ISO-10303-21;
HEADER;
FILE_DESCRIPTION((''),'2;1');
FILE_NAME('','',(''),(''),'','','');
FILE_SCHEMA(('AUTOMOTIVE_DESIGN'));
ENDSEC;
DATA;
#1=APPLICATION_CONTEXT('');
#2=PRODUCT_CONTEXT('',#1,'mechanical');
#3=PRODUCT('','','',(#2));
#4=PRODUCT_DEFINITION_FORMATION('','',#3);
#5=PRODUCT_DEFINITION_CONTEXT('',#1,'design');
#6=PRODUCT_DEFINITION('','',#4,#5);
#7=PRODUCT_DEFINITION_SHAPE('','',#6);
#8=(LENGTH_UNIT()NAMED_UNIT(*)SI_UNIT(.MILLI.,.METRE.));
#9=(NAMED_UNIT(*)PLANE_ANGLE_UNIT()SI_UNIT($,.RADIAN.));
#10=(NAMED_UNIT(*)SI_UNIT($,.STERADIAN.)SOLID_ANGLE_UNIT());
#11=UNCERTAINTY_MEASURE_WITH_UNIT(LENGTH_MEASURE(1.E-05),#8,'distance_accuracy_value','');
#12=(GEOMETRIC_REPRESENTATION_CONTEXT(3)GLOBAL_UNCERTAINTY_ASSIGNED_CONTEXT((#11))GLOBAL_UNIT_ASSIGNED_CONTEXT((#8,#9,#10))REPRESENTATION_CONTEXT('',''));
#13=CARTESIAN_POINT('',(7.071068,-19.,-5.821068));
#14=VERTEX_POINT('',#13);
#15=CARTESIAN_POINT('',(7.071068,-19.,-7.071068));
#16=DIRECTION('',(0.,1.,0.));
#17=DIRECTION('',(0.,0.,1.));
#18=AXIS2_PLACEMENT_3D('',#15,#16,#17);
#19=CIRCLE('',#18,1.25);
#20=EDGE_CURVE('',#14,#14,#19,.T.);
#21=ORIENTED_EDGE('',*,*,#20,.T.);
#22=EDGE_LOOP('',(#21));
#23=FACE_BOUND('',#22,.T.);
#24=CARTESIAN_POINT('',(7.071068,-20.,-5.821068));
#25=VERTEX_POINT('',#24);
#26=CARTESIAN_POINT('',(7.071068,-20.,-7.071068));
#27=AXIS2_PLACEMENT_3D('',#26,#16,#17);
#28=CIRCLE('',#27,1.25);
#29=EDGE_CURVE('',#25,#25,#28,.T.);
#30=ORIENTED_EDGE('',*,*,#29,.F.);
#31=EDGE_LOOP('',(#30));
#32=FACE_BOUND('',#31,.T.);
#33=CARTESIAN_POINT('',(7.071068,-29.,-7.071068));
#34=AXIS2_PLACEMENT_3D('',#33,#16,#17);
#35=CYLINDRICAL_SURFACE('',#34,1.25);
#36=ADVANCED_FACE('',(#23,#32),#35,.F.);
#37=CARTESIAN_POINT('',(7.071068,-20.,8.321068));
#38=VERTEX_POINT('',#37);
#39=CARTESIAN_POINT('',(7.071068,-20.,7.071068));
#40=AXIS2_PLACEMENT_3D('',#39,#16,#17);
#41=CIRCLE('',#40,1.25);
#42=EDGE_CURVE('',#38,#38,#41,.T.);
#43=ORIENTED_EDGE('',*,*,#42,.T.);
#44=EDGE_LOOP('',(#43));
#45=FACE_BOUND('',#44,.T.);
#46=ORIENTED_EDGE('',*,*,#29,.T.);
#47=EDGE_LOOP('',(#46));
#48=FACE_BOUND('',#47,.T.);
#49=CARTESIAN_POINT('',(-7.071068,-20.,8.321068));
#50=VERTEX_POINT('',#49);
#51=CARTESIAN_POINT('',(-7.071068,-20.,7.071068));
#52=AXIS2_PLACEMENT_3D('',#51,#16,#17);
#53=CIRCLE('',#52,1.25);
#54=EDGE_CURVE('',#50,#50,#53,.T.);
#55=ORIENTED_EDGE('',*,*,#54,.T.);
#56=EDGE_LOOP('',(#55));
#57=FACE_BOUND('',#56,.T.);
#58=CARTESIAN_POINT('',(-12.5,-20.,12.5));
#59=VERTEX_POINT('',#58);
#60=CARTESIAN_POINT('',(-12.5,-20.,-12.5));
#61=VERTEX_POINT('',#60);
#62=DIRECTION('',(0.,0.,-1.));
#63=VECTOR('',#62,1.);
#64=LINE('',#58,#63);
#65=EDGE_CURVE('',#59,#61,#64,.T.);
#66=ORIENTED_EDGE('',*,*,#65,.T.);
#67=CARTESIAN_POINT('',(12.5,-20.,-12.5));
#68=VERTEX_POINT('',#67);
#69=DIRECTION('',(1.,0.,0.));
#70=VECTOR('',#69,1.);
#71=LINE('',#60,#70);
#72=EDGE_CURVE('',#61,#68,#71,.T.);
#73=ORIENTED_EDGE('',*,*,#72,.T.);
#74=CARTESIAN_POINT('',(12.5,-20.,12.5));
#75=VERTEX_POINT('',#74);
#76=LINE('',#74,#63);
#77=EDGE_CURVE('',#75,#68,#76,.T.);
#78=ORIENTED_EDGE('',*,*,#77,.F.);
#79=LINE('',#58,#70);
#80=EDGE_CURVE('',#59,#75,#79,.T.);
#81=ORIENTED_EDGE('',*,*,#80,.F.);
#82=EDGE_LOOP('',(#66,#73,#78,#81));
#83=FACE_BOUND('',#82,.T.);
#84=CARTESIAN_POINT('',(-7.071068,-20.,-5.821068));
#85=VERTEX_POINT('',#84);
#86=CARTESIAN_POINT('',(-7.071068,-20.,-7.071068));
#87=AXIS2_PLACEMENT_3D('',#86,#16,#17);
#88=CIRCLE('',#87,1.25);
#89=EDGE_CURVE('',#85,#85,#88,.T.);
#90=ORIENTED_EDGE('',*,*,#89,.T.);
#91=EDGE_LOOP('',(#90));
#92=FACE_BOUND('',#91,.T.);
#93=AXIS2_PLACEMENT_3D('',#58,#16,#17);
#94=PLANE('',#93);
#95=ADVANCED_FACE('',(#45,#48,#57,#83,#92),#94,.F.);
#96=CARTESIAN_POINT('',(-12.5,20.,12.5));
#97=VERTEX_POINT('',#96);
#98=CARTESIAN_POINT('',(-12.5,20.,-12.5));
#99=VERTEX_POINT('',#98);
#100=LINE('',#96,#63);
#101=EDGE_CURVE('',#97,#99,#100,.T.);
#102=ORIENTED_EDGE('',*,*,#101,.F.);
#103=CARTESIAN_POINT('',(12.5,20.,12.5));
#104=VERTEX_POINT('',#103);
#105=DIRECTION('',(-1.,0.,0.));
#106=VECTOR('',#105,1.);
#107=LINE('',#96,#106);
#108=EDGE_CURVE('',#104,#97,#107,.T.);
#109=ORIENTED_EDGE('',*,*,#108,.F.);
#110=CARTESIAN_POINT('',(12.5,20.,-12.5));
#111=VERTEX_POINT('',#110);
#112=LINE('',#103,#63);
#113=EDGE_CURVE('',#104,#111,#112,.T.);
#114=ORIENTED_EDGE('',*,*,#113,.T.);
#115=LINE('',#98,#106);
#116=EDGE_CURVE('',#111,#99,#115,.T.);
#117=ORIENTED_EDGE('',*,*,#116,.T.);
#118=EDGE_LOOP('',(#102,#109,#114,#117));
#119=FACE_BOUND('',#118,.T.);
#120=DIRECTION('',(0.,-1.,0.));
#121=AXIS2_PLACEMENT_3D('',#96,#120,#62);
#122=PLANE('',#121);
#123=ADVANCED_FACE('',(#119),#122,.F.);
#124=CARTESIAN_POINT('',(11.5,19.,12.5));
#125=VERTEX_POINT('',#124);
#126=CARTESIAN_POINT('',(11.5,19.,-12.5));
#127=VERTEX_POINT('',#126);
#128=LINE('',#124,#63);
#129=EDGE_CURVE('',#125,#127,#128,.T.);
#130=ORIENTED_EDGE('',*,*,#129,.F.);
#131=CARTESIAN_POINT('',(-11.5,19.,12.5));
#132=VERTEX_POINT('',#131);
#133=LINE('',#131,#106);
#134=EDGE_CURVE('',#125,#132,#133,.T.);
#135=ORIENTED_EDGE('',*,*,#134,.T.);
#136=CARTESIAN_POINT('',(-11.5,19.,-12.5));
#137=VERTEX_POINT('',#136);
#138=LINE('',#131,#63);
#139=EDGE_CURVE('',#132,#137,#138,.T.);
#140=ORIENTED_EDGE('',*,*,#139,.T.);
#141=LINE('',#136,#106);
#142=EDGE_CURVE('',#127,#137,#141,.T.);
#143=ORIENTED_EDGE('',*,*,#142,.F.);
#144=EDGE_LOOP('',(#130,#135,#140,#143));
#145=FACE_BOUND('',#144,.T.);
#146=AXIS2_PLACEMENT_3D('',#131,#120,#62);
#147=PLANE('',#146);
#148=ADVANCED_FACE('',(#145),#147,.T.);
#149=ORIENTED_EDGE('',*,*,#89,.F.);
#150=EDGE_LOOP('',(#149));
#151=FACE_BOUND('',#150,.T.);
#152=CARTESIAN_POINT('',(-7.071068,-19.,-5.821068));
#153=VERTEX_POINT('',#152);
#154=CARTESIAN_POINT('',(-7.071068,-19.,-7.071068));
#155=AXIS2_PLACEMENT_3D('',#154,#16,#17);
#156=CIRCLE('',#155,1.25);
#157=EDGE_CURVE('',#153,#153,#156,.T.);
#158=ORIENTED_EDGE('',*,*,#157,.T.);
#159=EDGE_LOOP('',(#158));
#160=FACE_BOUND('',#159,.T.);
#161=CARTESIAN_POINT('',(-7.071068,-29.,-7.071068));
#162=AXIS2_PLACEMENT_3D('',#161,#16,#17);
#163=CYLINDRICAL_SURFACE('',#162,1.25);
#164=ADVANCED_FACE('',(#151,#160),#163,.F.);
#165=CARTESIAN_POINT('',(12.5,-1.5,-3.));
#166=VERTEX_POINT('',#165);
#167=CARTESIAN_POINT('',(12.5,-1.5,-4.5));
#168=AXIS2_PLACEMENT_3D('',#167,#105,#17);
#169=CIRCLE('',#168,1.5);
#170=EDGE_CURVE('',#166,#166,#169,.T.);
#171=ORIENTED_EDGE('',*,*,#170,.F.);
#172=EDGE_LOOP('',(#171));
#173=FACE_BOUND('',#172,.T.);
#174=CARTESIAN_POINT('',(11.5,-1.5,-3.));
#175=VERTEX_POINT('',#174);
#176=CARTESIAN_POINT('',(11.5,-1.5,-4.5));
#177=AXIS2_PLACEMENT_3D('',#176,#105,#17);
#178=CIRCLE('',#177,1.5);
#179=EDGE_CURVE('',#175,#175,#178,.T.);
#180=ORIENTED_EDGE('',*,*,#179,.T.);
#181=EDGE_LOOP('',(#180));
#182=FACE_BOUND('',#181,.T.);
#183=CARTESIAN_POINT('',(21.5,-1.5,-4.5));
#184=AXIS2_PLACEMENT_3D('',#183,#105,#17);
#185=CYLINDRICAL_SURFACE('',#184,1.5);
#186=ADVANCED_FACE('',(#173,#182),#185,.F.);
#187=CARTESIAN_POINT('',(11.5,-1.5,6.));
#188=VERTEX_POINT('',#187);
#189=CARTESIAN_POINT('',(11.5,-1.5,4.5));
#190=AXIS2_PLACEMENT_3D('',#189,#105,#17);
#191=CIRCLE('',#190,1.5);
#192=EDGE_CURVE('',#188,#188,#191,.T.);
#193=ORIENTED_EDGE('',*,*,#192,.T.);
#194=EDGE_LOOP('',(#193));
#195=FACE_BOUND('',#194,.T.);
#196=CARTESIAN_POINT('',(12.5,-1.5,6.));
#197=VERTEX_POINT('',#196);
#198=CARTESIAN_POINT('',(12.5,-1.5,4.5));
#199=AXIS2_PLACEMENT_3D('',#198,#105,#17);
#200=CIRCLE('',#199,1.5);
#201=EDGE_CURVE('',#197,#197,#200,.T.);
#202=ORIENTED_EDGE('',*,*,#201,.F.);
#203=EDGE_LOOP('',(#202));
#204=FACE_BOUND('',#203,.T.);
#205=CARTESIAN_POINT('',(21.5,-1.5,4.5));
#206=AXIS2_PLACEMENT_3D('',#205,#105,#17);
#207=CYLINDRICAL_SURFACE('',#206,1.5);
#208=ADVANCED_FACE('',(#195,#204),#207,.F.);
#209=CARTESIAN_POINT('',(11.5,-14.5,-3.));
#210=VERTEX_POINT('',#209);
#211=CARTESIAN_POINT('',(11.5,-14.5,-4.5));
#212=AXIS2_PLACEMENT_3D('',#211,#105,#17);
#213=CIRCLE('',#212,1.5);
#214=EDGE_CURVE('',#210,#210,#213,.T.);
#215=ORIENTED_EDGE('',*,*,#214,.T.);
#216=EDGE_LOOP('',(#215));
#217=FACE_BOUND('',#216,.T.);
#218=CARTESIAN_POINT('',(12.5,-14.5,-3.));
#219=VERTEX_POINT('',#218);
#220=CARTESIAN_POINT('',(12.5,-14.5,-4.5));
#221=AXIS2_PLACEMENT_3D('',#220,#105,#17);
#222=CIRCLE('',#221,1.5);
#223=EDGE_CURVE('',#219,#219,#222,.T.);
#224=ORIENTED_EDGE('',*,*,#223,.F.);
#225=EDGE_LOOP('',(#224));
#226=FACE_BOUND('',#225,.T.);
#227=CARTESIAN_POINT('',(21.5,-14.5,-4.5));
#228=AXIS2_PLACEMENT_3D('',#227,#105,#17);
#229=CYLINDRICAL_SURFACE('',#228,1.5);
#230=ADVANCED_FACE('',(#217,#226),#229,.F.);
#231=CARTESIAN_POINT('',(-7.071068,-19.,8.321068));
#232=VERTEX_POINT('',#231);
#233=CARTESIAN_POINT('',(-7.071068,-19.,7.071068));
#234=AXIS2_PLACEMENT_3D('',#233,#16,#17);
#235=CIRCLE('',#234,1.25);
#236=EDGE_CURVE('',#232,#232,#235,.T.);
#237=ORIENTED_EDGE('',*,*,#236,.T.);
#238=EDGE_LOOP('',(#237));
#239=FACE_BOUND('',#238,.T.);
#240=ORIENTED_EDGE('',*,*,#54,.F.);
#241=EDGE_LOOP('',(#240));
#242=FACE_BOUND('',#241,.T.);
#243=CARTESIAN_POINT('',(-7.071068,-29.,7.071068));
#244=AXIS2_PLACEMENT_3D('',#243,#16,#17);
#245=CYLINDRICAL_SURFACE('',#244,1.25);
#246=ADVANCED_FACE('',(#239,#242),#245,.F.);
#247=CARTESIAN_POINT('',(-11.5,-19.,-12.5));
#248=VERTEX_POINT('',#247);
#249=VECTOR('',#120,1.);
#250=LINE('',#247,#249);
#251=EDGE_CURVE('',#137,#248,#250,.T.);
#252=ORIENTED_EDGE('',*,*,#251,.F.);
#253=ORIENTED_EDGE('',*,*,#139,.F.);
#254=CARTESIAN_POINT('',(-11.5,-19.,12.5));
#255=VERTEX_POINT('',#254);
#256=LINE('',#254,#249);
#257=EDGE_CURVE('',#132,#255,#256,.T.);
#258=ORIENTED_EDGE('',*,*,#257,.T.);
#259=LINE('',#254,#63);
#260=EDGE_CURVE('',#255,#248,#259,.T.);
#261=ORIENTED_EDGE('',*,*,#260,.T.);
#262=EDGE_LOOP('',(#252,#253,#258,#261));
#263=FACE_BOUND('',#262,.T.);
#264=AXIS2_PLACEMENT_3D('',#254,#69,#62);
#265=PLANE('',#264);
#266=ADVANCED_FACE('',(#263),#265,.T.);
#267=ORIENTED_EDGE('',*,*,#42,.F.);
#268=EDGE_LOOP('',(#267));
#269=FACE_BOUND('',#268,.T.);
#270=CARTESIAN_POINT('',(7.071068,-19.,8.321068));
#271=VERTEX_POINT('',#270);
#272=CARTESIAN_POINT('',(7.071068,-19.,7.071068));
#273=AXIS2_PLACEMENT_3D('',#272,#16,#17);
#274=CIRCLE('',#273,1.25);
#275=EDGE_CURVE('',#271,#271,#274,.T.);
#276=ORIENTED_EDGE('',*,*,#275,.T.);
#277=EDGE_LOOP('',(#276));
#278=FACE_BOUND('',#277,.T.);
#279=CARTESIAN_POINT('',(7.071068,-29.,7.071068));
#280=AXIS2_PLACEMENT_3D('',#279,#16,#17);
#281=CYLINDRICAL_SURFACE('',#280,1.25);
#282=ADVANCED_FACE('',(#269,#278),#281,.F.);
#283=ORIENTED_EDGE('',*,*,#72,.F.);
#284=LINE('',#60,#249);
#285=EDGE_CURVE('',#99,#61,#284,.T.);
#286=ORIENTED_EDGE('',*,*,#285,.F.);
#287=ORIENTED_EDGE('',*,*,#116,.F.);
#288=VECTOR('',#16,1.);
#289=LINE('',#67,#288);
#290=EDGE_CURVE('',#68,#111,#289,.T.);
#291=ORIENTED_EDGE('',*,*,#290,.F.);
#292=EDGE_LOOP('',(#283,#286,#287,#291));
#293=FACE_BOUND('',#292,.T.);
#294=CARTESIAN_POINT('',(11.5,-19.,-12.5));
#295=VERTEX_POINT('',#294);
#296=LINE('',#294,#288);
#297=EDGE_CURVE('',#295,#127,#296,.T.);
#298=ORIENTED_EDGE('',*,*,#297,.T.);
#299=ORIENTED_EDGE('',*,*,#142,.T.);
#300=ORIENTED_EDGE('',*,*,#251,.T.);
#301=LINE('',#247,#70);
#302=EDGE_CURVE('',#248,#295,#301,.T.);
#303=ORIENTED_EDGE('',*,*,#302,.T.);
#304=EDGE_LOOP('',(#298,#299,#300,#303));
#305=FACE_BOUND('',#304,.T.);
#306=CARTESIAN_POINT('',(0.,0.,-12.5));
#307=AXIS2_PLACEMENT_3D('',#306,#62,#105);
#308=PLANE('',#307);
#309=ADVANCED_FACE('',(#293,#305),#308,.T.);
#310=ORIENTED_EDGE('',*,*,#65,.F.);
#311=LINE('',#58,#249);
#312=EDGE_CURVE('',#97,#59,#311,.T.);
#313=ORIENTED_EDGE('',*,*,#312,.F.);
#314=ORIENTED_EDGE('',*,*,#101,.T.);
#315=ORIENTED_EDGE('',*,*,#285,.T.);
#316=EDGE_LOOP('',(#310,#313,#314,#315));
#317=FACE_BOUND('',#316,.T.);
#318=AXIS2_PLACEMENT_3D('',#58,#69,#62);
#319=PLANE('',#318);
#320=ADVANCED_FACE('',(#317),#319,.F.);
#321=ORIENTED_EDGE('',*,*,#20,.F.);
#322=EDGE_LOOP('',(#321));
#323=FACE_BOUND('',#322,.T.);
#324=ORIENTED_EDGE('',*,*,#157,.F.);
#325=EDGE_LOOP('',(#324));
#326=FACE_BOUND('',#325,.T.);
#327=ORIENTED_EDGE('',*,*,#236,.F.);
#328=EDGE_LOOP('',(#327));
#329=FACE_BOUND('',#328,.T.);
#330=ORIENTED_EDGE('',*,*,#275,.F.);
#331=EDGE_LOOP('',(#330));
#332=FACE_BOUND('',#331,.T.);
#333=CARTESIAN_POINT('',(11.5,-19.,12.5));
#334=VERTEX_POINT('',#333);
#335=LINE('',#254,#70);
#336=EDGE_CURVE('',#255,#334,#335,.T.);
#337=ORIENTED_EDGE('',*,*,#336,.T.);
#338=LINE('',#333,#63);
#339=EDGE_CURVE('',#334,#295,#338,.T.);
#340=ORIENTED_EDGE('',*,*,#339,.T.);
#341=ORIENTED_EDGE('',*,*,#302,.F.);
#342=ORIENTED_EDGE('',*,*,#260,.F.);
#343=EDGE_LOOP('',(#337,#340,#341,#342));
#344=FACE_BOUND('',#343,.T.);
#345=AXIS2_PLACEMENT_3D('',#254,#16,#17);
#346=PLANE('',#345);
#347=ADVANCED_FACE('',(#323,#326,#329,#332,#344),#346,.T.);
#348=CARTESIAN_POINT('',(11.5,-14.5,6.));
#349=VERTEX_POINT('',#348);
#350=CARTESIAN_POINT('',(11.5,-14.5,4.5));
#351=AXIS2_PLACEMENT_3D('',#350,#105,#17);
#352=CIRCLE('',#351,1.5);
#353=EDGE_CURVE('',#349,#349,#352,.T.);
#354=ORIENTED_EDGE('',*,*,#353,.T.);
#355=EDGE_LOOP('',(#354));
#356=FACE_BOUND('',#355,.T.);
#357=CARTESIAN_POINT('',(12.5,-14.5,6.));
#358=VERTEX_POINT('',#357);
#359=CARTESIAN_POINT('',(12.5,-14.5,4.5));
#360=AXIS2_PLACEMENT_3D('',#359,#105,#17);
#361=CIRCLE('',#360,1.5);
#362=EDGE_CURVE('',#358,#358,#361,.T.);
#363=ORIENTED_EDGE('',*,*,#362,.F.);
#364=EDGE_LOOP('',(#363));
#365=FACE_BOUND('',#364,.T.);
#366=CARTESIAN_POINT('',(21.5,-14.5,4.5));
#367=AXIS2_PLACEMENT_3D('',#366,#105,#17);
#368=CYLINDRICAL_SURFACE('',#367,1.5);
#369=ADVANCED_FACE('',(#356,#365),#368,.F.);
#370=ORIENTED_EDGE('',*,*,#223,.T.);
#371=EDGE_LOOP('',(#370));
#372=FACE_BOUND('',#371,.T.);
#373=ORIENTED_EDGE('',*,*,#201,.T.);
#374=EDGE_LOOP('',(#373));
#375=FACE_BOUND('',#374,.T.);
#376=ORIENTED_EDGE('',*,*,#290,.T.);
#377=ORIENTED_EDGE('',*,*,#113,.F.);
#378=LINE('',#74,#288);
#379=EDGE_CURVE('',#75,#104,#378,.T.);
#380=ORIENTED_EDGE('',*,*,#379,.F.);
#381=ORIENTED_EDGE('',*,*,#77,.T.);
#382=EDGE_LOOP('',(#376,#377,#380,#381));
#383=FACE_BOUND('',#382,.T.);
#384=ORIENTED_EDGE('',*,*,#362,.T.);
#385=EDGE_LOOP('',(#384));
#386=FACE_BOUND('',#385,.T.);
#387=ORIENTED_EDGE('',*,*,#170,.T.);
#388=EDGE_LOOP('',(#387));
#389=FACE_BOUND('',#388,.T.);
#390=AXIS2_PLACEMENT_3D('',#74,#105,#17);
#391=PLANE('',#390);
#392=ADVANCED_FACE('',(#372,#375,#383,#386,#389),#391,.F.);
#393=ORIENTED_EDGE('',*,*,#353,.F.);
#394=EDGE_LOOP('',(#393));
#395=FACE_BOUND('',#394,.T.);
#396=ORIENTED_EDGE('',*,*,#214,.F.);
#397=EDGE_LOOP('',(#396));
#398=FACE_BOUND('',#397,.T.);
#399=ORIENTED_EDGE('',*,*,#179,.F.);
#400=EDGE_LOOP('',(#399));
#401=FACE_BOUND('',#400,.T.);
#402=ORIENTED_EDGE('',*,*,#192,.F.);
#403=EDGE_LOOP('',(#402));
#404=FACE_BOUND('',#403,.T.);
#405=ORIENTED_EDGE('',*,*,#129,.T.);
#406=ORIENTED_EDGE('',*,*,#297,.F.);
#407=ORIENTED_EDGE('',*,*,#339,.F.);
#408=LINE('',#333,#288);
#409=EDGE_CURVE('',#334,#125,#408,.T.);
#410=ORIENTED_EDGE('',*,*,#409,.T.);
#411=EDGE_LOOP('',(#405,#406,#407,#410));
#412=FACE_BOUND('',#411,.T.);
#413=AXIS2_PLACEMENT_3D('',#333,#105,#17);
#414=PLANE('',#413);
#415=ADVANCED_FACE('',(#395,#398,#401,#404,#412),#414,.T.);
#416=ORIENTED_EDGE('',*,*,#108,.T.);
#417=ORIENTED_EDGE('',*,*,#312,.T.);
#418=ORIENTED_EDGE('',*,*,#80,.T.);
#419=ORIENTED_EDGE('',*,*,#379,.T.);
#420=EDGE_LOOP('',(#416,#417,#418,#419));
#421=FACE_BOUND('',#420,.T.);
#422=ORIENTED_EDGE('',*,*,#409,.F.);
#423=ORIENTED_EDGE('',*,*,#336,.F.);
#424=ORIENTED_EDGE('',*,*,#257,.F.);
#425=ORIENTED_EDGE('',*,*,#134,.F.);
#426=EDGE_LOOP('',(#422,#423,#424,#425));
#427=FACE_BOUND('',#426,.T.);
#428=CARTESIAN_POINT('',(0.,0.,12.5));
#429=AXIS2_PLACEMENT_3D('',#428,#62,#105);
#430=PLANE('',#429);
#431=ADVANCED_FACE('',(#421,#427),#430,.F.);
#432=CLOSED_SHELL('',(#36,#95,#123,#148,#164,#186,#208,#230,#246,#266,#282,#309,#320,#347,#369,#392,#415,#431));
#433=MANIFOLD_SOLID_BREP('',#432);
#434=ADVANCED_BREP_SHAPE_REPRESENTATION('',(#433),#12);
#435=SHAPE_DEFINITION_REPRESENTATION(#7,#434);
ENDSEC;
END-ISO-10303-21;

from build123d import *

# Parameters (mm, degrees)
SKETCH_1_W          = 25
SKETCH_1_H          = 40
SKETCH_1_W_2        = 23
SKETCH_1_H_2        = 38
EXTRUDE_1_DEPTH     = 12.5
SKETCH_2_R          = 1.25
CUT_EXTRUDE_1_DEPTH = 10
SKETCH_3_R          = 1.5
CUT_EXTRUDE_2_DEPTH = 10


with BuildPart() as part:
    # 草图1 → 凸台-拉伸1 (new, symmetric)
    with BuildSketch(Plane.XY):
        Rectangle(SKETCH_1_W, SKETCH_1_H)
        Rectangle(SKETCH_1_W_2, SKETCH_1_H_2, mode=Mode.SUBTRACT)
    extrude(amount=EXTRUDE_1_DEPTH, both=True)

    # 草图2 → 切除-拉伸1 (cut)
    with BuildSketch(Plane(origin=(0, -19, 0), x_dir=(1, 0, 0), z_dir=(0, 1, 0))):
        with Locations(Location((7.071067812, -7.071067812, 0), (0, 0, 270))):
            Circle(SKETCH_2_R)
        with Locations(Location((7.071067812, 7.071067812, 0), (0, 0, 270))):
            Circle(SKETCH_2_R)
        with Locations(Location((-7.071067812, 7.071067812, 0), (0, 0, 270))):
            Circle(SKETCH_2_R)
        with Locations(Location((-7.071067812, -7.071067812, 0), (0, 0, 270))):
            Circle(SKETCH_2_R)
    extrude(amount=-CUT_EXTRUDE_1_DEPTH, mode=Mode.SUBTRACT)

    # 草图3 → 切除-拉伸2 (cut)
    with BuildSketch(Plane.ZY.offset(-11.5)):
        with Locations((4.5, -14.5)):
            Circle(SKETCH_3_R)
        with Locations((-4.5, -14.5)):
            Circle(SKETCH_3_R)
        with Locations((-4.5, -1.5)):
            Circle(SKETCH_3_R)
        with Locations((4.5, -1.5)):
            Circle(SKETCH_3_R)
    extrude(amount=-CUT_EXTRUDE_2_DEPTH, mode=Mode.SUBTRACT)


solid = part.part
